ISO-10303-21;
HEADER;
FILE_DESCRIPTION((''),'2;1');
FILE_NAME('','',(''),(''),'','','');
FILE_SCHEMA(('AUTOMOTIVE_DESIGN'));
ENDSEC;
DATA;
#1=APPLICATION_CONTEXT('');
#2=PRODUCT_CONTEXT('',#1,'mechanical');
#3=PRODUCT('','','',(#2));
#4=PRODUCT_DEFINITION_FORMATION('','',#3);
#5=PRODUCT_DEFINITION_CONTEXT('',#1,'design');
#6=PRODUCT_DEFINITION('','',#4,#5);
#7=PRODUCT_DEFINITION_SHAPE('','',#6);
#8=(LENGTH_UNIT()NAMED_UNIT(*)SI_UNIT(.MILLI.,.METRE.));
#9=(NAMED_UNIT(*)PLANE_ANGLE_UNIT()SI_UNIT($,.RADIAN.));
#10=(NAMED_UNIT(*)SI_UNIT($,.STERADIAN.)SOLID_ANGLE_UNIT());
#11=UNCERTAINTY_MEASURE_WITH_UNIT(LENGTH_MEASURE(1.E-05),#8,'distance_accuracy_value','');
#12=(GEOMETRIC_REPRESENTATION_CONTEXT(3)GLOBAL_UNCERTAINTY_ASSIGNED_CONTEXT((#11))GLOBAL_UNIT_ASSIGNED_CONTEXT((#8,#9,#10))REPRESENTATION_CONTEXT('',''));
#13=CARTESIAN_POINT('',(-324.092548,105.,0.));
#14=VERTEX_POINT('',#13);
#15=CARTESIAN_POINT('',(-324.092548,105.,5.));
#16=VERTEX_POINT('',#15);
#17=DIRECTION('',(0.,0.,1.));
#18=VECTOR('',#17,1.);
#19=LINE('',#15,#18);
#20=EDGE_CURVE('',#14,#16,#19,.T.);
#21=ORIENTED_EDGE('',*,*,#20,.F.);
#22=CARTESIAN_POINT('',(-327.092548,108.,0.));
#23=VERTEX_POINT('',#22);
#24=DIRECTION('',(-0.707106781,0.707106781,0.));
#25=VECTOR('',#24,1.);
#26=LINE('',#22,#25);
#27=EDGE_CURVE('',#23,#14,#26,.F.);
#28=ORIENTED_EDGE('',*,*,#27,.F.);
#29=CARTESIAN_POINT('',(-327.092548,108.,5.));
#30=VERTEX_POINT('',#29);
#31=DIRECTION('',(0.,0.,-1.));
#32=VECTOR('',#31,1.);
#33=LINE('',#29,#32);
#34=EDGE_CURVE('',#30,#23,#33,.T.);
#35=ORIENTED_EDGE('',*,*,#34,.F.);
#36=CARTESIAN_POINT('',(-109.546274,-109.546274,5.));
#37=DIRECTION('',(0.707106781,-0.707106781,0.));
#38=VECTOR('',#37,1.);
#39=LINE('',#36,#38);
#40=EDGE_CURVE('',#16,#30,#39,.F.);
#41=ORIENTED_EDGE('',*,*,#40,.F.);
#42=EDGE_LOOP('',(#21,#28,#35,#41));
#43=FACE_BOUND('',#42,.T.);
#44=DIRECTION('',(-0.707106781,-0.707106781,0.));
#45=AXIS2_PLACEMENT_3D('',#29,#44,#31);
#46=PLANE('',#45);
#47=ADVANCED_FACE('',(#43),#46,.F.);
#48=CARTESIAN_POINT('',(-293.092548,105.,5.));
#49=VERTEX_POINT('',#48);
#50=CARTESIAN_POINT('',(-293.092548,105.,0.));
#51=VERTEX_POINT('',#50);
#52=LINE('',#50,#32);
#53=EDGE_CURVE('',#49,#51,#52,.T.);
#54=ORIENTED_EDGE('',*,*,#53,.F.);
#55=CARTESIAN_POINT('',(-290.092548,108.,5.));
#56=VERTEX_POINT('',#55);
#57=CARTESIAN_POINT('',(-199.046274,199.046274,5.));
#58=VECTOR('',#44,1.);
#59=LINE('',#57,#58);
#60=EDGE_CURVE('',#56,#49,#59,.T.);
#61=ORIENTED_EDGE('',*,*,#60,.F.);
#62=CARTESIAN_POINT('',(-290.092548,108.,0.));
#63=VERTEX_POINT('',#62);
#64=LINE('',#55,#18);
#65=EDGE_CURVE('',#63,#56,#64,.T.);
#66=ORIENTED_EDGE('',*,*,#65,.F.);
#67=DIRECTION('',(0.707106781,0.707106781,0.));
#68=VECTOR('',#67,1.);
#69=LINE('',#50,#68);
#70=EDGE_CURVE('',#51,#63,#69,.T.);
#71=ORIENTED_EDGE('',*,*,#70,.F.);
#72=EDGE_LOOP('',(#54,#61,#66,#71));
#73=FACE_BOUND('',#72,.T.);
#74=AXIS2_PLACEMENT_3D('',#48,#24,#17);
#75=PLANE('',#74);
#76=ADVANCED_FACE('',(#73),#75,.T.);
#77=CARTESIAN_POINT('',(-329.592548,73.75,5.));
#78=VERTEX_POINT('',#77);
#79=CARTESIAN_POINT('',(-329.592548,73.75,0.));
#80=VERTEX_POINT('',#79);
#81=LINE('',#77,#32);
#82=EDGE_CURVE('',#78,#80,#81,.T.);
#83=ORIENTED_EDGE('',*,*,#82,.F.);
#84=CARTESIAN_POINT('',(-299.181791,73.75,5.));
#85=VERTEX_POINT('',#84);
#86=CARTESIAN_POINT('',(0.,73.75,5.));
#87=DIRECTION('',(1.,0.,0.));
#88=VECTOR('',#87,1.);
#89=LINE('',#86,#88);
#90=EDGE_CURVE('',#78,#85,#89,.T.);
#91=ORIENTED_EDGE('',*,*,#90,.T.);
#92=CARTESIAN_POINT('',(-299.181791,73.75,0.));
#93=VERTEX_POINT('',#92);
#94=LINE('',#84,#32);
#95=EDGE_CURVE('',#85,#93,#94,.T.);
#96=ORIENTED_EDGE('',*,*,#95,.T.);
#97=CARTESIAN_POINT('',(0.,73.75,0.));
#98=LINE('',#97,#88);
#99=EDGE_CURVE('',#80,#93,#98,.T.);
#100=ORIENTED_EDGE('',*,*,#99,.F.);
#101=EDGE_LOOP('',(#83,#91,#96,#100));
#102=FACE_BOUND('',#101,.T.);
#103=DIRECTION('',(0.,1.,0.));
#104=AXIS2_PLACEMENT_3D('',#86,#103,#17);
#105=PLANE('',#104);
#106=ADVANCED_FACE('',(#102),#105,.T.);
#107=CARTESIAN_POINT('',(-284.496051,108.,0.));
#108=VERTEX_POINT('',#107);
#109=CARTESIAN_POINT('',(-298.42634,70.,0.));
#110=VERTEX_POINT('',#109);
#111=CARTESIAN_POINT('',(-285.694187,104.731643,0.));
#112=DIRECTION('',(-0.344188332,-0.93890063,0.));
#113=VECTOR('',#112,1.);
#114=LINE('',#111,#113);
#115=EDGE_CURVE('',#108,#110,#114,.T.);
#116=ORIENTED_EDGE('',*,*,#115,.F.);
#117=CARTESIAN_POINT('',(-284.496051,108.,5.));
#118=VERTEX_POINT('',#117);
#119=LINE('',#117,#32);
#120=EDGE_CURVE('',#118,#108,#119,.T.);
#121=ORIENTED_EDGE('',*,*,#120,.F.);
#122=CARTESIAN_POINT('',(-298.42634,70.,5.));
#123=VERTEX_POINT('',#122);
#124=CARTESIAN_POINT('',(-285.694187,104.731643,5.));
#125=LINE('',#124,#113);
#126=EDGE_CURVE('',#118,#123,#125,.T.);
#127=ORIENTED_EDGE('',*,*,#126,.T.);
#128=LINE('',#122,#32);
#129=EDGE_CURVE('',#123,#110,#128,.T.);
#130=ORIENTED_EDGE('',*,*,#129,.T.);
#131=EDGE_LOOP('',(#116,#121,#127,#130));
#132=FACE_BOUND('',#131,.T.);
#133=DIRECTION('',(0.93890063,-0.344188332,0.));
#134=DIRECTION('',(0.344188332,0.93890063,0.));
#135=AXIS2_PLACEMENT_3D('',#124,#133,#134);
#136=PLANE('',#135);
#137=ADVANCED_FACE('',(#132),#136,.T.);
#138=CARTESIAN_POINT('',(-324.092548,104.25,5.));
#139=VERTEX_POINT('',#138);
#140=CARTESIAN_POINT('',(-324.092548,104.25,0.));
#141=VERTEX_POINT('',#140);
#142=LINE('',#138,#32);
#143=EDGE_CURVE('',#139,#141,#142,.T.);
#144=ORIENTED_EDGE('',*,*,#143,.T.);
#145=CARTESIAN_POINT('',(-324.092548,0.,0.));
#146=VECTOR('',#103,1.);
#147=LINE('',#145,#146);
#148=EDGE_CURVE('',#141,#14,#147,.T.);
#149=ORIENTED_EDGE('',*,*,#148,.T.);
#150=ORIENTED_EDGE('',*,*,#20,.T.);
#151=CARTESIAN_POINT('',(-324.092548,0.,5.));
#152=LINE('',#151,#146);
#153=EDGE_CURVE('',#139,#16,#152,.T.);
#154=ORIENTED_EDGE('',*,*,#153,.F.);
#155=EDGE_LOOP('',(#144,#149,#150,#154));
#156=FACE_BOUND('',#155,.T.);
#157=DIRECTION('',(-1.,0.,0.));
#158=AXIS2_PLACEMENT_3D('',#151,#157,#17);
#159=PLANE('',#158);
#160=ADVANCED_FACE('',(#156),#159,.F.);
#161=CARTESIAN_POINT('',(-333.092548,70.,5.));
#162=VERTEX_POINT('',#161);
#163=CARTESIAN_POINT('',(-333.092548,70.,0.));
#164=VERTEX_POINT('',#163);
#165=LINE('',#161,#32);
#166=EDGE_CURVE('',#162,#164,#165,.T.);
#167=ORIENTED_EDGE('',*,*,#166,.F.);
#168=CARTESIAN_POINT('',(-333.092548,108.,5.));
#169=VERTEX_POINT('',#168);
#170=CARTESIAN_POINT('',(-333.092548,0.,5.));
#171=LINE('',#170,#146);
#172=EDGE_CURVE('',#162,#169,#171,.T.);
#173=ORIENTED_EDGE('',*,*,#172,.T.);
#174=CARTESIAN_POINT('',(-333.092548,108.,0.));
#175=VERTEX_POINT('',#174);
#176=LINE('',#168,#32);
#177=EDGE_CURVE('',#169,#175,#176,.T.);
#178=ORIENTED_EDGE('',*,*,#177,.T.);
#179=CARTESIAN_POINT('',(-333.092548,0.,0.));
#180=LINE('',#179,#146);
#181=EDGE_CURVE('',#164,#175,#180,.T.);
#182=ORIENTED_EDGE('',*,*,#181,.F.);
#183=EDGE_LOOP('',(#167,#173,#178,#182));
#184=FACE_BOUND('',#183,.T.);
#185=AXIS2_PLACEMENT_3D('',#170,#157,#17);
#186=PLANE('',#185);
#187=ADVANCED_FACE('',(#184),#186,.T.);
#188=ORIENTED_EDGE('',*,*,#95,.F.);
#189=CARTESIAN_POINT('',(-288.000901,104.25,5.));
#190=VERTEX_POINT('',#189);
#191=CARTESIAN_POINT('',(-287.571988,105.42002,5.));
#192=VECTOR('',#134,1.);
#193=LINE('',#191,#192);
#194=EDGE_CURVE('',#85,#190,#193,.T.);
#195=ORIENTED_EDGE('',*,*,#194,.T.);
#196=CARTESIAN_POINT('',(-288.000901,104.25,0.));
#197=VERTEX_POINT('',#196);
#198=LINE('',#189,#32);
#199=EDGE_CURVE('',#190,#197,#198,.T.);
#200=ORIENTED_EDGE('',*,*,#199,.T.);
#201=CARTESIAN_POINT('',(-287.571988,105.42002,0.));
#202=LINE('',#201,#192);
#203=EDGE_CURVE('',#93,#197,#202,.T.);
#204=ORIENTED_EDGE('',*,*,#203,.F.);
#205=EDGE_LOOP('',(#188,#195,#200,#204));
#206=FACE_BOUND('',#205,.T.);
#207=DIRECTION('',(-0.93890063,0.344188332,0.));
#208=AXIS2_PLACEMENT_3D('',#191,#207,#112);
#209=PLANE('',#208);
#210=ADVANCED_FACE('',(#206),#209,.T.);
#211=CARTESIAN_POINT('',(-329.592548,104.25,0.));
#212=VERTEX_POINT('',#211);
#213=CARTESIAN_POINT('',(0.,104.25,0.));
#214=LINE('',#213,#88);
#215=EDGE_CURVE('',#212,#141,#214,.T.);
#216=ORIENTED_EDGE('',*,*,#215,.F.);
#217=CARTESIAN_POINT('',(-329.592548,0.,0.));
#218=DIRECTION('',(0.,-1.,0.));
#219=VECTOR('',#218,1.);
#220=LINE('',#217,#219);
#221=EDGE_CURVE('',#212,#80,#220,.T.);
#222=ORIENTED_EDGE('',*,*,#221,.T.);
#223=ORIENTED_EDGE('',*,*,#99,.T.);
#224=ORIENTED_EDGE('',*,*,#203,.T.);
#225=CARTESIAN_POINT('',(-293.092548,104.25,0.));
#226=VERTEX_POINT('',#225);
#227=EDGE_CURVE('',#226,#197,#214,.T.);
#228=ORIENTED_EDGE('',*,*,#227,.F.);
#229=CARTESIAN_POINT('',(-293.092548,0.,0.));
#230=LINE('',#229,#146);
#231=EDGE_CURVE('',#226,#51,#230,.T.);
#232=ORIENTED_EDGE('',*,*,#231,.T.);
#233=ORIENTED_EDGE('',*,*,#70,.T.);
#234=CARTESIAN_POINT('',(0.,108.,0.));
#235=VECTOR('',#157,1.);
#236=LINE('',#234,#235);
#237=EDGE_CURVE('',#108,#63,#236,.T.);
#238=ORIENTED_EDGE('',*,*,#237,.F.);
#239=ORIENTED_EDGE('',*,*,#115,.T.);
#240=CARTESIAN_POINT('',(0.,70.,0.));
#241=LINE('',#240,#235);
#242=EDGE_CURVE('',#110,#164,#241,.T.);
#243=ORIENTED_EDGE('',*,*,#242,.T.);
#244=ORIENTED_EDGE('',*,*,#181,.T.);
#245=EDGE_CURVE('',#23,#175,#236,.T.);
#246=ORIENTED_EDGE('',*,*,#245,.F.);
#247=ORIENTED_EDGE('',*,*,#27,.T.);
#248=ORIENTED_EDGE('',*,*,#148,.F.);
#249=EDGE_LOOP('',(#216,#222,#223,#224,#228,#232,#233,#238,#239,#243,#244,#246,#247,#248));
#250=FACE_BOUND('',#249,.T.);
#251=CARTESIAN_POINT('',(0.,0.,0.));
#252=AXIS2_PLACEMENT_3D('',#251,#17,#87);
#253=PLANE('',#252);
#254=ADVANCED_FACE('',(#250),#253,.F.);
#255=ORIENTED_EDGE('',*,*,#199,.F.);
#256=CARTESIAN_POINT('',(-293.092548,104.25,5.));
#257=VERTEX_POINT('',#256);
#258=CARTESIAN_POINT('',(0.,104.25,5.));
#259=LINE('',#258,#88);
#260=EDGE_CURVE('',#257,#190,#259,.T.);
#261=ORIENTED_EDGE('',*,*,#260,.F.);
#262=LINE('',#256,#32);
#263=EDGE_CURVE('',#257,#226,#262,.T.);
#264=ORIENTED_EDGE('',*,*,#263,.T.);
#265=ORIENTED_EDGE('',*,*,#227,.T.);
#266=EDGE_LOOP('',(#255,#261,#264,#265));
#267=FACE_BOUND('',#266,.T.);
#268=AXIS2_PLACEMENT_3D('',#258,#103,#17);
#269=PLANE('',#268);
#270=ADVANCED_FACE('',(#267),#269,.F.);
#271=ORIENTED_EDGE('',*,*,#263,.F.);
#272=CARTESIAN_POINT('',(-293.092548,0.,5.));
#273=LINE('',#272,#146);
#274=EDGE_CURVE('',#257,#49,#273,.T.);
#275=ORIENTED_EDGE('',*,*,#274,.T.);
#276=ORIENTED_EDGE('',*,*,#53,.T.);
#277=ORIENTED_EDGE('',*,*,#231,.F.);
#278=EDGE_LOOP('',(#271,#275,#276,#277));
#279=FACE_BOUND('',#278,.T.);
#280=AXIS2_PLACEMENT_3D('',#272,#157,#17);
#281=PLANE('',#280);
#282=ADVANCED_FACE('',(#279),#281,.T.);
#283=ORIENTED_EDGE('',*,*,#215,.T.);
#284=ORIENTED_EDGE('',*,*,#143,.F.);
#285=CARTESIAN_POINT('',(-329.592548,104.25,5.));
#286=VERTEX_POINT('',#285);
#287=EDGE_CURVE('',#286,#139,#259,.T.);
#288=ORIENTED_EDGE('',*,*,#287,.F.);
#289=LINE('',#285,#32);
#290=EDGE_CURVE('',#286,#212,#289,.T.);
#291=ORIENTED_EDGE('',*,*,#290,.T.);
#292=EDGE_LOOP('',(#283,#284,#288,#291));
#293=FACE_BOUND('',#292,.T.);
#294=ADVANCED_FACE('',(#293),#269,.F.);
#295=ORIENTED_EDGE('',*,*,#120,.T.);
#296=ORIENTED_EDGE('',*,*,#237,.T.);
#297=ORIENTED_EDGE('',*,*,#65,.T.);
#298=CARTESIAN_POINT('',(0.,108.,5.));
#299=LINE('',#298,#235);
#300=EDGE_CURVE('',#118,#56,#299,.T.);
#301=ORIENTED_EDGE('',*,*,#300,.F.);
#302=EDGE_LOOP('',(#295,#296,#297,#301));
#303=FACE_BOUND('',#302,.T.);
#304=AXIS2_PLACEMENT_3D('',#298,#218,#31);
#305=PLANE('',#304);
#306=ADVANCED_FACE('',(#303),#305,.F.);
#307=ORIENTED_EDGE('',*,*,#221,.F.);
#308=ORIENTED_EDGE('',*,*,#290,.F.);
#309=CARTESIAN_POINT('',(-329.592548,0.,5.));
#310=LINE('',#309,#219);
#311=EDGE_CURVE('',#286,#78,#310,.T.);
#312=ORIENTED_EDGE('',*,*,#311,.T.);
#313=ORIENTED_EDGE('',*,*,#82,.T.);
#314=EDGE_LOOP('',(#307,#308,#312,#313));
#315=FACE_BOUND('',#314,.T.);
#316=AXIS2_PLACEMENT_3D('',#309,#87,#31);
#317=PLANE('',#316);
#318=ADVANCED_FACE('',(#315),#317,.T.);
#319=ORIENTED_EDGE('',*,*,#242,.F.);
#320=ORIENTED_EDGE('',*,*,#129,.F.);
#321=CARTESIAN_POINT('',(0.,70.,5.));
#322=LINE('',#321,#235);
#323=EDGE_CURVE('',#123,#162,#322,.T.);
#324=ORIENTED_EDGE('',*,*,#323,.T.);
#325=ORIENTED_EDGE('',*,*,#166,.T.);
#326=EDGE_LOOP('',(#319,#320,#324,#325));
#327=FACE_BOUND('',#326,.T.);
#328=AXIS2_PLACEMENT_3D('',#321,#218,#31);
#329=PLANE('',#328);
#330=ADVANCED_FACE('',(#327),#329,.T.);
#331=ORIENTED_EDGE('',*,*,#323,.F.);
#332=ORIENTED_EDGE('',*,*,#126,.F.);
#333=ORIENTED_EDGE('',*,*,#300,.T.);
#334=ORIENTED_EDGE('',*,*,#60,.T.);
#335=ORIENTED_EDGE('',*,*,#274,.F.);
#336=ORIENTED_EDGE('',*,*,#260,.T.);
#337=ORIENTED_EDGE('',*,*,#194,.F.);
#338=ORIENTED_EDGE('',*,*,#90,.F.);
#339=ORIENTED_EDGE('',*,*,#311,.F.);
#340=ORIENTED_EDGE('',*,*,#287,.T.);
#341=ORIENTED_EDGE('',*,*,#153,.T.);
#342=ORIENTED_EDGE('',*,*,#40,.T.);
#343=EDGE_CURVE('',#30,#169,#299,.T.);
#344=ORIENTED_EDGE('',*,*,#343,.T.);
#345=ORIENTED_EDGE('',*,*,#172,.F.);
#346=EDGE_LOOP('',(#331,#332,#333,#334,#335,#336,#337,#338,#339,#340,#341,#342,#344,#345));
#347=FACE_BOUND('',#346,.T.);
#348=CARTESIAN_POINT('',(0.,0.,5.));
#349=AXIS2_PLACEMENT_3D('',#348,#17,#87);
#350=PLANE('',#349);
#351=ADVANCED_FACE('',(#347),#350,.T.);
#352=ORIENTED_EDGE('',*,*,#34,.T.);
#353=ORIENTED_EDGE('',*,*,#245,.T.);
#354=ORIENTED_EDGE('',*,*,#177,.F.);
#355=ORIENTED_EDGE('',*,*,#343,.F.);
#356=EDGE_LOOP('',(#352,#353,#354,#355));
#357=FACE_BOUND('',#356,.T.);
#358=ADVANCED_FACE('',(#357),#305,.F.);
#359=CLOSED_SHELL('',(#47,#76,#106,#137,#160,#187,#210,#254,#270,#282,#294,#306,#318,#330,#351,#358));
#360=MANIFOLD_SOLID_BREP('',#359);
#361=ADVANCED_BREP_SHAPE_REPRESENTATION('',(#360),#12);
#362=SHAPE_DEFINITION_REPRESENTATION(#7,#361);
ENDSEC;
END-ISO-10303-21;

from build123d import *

# Parameters (mm, degrees)
BOSS_EXTRUDE3_DEPTH = 5
CHAMFER3_SIZE       = 3


with BuildPart() as part:
    # Sketch7 → Boss-Extrude3 (new body)
    with BuildSketch(Plane.XY):
        Polygon((-298.426339507, 70), (-284.496051046, 108), (-293.092548077, 108), (-293.092548077, 104.25), (-288.000901442, 104.25), (-299.181790865, 73.75), (-329.592548077, 73.75), (-329.592548077, 104.25), (-324.092548077, 104.25), (-324.092548077, 108), (-333.092548077, 108), (-333.092548077, 70), align=None)
    extrude(amount=BOSS_EXTRUDE3_DEPTH)

    # Chamfer3
    chamfer3_edges = [part.edges().sort_by_distance(p)[0] for p in [
        (-293.092548077, 108, 2.5),
        (-324.092548077, 108, 2.5),
    ]]
    chamfer(chamfer3_edges, length=CHAMFER3_SIZE)


solid = part.part
